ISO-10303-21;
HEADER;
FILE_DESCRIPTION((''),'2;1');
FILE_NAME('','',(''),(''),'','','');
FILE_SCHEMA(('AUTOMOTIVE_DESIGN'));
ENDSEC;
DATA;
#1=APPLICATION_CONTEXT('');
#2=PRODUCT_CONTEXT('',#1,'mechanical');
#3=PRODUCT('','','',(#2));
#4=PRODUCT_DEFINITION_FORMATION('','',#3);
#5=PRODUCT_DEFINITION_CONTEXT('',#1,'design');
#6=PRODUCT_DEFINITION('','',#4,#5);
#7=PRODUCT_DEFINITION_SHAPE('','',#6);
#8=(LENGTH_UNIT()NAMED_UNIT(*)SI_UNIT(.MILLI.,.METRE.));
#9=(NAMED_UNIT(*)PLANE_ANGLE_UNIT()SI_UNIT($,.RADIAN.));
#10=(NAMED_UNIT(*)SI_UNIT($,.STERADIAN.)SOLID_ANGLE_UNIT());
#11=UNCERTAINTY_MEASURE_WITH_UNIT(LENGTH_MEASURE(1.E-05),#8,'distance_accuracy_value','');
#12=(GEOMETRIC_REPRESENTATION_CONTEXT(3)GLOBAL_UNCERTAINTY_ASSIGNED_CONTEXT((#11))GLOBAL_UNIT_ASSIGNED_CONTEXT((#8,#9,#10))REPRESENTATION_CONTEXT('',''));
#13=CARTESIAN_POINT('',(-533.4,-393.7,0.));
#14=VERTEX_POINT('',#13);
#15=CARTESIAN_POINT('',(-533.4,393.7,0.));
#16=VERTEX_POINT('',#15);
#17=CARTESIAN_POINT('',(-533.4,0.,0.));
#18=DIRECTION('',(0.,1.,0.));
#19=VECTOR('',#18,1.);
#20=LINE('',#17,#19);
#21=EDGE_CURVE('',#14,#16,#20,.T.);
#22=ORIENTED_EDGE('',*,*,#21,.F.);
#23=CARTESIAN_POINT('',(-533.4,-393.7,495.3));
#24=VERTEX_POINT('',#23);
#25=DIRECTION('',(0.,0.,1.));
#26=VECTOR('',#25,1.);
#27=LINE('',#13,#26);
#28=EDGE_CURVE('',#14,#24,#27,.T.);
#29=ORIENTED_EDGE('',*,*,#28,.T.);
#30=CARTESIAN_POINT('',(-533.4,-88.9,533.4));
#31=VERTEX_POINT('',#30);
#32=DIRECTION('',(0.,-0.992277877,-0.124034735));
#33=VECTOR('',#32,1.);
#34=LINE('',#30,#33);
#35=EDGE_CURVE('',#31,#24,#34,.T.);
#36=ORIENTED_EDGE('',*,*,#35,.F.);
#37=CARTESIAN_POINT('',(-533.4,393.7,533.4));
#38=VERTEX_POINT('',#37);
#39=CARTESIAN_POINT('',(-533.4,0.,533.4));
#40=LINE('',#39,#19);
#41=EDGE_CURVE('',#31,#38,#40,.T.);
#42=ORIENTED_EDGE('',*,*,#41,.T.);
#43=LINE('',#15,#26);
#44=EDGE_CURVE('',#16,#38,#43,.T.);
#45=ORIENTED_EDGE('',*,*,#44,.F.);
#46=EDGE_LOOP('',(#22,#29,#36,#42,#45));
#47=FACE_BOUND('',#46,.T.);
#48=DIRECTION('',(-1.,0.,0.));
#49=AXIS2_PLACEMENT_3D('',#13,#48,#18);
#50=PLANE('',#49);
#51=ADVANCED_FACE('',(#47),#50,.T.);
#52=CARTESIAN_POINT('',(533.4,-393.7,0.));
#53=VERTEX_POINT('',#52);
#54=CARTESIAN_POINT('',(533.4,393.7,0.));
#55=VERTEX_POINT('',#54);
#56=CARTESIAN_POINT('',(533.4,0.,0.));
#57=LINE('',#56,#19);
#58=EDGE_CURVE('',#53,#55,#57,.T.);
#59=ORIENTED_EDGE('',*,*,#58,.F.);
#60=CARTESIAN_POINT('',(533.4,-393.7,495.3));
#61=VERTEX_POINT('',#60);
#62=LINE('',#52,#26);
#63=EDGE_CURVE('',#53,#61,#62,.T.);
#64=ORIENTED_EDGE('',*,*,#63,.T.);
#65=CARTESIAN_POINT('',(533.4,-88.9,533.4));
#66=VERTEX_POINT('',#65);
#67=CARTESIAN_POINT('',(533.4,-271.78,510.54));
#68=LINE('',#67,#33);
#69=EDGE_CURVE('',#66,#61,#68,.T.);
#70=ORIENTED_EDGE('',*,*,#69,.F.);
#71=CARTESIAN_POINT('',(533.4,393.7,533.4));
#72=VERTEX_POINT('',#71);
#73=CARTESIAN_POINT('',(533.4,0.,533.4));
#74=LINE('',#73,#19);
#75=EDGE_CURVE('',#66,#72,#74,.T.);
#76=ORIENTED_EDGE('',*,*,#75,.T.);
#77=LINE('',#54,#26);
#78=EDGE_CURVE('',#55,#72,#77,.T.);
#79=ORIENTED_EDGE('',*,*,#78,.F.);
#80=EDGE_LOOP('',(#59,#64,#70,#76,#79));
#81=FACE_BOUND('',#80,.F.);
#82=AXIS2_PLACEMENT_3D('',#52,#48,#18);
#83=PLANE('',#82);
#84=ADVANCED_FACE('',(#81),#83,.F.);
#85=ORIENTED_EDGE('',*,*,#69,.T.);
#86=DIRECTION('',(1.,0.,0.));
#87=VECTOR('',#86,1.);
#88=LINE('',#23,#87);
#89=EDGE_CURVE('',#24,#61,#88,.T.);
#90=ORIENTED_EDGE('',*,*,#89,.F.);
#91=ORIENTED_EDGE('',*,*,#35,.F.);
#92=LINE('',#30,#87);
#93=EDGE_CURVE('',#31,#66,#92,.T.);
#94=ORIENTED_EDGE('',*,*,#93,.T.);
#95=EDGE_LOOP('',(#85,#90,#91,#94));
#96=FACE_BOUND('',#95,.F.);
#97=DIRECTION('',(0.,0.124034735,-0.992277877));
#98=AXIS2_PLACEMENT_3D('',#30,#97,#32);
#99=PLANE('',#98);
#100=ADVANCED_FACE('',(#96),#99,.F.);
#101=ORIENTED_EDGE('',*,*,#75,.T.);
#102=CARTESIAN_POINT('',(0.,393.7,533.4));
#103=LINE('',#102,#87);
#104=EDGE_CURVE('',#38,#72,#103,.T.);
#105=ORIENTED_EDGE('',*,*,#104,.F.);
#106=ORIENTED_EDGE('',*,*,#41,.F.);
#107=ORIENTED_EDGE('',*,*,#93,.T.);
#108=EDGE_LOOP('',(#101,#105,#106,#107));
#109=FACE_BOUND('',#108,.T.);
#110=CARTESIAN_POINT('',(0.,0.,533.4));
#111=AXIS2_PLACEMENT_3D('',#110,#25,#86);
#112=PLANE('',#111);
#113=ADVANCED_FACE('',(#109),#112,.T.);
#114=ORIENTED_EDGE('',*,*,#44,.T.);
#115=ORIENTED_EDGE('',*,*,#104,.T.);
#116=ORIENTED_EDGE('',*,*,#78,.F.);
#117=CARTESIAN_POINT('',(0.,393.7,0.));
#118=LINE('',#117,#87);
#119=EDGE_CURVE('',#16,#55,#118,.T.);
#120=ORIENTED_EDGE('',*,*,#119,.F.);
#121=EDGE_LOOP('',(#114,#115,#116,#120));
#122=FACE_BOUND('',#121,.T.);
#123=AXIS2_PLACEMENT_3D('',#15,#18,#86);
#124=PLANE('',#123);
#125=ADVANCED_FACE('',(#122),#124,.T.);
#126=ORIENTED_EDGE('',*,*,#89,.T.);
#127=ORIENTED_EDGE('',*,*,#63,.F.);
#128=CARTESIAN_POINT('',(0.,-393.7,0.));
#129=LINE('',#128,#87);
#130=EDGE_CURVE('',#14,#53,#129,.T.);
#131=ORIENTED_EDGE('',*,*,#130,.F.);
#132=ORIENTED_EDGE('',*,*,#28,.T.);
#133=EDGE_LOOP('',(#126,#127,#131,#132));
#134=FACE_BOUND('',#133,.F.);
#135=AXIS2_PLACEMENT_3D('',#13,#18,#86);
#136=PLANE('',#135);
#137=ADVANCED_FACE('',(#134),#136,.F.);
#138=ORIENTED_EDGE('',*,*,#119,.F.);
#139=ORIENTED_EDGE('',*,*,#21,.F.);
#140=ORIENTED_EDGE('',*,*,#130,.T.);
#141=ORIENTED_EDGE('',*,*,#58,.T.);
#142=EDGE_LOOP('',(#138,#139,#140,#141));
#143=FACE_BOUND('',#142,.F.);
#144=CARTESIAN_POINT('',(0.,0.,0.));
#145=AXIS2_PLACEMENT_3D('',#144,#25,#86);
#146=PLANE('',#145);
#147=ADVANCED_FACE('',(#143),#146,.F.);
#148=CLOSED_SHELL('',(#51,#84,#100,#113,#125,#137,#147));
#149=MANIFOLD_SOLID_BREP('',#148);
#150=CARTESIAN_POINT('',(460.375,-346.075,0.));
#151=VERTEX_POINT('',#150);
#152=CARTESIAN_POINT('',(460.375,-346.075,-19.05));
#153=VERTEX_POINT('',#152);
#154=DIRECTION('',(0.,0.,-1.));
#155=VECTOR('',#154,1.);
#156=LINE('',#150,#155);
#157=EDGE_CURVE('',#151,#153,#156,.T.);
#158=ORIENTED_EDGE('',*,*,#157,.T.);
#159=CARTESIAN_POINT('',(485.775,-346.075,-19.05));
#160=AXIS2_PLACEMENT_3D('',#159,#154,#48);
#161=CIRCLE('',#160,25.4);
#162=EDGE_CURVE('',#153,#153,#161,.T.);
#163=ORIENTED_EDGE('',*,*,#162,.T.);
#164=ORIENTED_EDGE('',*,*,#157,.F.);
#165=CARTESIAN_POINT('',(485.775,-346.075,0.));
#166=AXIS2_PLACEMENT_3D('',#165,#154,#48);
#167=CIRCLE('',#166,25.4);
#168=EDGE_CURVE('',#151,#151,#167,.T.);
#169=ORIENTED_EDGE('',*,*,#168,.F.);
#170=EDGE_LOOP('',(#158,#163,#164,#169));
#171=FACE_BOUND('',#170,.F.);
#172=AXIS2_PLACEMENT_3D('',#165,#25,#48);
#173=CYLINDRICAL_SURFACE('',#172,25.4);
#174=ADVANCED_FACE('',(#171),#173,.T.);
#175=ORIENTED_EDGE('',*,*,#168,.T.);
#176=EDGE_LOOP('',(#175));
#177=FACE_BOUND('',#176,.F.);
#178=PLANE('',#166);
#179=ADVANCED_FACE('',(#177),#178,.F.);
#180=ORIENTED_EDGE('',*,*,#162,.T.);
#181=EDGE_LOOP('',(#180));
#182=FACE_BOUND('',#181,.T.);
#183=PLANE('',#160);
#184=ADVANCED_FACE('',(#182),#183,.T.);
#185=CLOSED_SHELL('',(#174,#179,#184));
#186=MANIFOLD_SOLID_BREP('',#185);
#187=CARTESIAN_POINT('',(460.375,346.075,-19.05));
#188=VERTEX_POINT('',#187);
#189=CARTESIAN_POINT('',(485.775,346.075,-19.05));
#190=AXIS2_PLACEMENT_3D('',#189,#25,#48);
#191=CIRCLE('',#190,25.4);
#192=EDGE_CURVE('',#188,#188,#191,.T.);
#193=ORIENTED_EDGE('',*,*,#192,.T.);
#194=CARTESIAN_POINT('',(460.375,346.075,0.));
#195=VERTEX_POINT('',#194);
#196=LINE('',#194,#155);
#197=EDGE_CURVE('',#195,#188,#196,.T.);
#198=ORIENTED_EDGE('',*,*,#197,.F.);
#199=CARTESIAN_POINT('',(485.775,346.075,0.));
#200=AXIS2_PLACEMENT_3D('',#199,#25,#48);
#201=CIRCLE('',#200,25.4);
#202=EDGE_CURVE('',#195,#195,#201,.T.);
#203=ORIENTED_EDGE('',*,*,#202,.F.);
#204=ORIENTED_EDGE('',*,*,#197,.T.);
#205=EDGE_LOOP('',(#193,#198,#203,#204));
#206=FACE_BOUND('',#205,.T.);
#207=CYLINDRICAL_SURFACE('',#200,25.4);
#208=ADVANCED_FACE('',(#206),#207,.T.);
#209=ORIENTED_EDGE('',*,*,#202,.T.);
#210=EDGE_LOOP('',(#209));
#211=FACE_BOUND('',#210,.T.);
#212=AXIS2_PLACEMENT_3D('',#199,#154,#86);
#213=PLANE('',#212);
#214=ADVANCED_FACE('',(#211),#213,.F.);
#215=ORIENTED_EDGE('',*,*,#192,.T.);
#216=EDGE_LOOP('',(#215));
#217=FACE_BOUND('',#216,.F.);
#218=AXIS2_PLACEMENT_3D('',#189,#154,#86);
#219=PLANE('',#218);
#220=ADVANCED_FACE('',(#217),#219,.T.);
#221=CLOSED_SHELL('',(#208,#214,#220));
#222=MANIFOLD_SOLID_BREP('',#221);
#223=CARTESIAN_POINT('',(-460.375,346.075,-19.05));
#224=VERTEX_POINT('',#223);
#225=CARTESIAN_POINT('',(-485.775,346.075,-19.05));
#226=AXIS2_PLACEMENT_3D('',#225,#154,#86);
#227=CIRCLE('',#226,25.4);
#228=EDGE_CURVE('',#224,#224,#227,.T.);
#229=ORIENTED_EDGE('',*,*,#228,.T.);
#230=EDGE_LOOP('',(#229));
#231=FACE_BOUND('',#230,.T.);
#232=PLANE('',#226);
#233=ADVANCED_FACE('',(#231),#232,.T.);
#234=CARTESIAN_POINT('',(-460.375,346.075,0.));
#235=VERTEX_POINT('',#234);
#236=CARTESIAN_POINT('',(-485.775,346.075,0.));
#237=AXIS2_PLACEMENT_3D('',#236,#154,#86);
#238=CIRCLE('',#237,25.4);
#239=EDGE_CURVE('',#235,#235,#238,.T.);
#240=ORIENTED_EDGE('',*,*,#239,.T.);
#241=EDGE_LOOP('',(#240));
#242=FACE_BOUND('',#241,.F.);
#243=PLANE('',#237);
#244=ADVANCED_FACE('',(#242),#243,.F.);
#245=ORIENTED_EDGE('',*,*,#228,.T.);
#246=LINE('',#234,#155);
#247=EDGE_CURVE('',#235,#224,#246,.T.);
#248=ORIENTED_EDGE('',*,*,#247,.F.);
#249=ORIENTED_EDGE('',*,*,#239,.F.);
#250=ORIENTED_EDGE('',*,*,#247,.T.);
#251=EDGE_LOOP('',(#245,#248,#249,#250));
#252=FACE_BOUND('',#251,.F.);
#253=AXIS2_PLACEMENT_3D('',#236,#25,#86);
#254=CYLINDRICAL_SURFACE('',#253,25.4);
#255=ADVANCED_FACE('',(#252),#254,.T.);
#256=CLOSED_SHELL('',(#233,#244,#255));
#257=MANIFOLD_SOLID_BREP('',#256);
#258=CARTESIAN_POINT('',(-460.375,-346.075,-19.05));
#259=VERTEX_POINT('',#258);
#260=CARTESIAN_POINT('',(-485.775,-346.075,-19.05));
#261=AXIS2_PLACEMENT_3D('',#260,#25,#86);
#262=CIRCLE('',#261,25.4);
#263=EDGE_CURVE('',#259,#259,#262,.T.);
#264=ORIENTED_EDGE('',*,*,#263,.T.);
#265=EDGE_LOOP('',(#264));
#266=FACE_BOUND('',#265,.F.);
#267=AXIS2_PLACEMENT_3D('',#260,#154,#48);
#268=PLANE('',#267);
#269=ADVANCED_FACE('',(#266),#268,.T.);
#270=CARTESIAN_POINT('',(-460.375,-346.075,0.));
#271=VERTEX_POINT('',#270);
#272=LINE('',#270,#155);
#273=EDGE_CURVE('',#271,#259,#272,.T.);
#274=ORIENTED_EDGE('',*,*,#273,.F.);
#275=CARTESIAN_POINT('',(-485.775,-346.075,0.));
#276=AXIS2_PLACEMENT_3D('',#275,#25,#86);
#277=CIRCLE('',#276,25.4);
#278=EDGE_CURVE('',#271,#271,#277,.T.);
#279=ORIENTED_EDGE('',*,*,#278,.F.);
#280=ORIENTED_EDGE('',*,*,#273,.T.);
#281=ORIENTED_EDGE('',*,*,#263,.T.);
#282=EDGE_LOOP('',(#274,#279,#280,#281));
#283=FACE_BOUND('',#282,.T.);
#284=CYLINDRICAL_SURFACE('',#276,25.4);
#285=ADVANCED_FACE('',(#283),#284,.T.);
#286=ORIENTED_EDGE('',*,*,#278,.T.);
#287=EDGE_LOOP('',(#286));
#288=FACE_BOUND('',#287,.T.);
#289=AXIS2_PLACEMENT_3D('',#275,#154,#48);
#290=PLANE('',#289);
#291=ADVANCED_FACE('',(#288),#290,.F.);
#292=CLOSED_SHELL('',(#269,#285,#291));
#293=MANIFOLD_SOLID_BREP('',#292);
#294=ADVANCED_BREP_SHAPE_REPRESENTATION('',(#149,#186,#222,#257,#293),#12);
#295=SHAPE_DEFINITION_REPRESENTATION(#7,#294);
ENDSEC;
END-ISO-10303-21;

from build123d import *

# Parameters (mm, degrees)
F0_W     = 1066.8
F0_H     = 787.4
F1_DEPTH = 533.4
F2_R     = 25.4
F3_DEPTH = 19.05
F7_DEPTH = 1066.801


with BuildPart() as f1:
    # F0 (on Top) → F1 (new body)
    with BuildSketch(Plane.XY):
        Rectangle(F0_W, F0_H)
    extrude(amount=F1_DEPTH)

    # F6 (on face) → F7 (cut, through all)
    with BuildSketch(Plane(origin=(-533.4, 0, 0), x_dir=(0, -1, 0), z_dir=(-1, 0, 0))):
        Polygon((393.7, 533.4), (88.9, 533.4), (393.7, 495.3), align=None)
    extrude(amount=-F7_DEPTH, mode=Mode.SUBTRACT)


with BuildPart() as f3:
    # F2 (on face) → F3 (new body)
    with BuildSketch(Plane(origin=(0, 0, 0), x_dir=(1, 0, 0), z_dir=(0, 0, -1))):
        with Locations((-485.775, -346.075)):
            Circle(F2_R)
    extrude(amount=F3_DEPTH)


with BuildPart() as f4_1:
    # F4: instance of F3
    add(f3.part.mirror(Plane.XZ))


with BuildPart() as f5_1:
    # F5: instance of F3
    add(f3.part.mirror(Plane.YZ))


with BuildPart() as f5_2:
    # F5: instance of F4_1
    add(f4_1.part.mirror(Plane.YZ))


solid = Compound([f1.part, f3.part, f4_1.part, f5_1.part, f5_2.part])
